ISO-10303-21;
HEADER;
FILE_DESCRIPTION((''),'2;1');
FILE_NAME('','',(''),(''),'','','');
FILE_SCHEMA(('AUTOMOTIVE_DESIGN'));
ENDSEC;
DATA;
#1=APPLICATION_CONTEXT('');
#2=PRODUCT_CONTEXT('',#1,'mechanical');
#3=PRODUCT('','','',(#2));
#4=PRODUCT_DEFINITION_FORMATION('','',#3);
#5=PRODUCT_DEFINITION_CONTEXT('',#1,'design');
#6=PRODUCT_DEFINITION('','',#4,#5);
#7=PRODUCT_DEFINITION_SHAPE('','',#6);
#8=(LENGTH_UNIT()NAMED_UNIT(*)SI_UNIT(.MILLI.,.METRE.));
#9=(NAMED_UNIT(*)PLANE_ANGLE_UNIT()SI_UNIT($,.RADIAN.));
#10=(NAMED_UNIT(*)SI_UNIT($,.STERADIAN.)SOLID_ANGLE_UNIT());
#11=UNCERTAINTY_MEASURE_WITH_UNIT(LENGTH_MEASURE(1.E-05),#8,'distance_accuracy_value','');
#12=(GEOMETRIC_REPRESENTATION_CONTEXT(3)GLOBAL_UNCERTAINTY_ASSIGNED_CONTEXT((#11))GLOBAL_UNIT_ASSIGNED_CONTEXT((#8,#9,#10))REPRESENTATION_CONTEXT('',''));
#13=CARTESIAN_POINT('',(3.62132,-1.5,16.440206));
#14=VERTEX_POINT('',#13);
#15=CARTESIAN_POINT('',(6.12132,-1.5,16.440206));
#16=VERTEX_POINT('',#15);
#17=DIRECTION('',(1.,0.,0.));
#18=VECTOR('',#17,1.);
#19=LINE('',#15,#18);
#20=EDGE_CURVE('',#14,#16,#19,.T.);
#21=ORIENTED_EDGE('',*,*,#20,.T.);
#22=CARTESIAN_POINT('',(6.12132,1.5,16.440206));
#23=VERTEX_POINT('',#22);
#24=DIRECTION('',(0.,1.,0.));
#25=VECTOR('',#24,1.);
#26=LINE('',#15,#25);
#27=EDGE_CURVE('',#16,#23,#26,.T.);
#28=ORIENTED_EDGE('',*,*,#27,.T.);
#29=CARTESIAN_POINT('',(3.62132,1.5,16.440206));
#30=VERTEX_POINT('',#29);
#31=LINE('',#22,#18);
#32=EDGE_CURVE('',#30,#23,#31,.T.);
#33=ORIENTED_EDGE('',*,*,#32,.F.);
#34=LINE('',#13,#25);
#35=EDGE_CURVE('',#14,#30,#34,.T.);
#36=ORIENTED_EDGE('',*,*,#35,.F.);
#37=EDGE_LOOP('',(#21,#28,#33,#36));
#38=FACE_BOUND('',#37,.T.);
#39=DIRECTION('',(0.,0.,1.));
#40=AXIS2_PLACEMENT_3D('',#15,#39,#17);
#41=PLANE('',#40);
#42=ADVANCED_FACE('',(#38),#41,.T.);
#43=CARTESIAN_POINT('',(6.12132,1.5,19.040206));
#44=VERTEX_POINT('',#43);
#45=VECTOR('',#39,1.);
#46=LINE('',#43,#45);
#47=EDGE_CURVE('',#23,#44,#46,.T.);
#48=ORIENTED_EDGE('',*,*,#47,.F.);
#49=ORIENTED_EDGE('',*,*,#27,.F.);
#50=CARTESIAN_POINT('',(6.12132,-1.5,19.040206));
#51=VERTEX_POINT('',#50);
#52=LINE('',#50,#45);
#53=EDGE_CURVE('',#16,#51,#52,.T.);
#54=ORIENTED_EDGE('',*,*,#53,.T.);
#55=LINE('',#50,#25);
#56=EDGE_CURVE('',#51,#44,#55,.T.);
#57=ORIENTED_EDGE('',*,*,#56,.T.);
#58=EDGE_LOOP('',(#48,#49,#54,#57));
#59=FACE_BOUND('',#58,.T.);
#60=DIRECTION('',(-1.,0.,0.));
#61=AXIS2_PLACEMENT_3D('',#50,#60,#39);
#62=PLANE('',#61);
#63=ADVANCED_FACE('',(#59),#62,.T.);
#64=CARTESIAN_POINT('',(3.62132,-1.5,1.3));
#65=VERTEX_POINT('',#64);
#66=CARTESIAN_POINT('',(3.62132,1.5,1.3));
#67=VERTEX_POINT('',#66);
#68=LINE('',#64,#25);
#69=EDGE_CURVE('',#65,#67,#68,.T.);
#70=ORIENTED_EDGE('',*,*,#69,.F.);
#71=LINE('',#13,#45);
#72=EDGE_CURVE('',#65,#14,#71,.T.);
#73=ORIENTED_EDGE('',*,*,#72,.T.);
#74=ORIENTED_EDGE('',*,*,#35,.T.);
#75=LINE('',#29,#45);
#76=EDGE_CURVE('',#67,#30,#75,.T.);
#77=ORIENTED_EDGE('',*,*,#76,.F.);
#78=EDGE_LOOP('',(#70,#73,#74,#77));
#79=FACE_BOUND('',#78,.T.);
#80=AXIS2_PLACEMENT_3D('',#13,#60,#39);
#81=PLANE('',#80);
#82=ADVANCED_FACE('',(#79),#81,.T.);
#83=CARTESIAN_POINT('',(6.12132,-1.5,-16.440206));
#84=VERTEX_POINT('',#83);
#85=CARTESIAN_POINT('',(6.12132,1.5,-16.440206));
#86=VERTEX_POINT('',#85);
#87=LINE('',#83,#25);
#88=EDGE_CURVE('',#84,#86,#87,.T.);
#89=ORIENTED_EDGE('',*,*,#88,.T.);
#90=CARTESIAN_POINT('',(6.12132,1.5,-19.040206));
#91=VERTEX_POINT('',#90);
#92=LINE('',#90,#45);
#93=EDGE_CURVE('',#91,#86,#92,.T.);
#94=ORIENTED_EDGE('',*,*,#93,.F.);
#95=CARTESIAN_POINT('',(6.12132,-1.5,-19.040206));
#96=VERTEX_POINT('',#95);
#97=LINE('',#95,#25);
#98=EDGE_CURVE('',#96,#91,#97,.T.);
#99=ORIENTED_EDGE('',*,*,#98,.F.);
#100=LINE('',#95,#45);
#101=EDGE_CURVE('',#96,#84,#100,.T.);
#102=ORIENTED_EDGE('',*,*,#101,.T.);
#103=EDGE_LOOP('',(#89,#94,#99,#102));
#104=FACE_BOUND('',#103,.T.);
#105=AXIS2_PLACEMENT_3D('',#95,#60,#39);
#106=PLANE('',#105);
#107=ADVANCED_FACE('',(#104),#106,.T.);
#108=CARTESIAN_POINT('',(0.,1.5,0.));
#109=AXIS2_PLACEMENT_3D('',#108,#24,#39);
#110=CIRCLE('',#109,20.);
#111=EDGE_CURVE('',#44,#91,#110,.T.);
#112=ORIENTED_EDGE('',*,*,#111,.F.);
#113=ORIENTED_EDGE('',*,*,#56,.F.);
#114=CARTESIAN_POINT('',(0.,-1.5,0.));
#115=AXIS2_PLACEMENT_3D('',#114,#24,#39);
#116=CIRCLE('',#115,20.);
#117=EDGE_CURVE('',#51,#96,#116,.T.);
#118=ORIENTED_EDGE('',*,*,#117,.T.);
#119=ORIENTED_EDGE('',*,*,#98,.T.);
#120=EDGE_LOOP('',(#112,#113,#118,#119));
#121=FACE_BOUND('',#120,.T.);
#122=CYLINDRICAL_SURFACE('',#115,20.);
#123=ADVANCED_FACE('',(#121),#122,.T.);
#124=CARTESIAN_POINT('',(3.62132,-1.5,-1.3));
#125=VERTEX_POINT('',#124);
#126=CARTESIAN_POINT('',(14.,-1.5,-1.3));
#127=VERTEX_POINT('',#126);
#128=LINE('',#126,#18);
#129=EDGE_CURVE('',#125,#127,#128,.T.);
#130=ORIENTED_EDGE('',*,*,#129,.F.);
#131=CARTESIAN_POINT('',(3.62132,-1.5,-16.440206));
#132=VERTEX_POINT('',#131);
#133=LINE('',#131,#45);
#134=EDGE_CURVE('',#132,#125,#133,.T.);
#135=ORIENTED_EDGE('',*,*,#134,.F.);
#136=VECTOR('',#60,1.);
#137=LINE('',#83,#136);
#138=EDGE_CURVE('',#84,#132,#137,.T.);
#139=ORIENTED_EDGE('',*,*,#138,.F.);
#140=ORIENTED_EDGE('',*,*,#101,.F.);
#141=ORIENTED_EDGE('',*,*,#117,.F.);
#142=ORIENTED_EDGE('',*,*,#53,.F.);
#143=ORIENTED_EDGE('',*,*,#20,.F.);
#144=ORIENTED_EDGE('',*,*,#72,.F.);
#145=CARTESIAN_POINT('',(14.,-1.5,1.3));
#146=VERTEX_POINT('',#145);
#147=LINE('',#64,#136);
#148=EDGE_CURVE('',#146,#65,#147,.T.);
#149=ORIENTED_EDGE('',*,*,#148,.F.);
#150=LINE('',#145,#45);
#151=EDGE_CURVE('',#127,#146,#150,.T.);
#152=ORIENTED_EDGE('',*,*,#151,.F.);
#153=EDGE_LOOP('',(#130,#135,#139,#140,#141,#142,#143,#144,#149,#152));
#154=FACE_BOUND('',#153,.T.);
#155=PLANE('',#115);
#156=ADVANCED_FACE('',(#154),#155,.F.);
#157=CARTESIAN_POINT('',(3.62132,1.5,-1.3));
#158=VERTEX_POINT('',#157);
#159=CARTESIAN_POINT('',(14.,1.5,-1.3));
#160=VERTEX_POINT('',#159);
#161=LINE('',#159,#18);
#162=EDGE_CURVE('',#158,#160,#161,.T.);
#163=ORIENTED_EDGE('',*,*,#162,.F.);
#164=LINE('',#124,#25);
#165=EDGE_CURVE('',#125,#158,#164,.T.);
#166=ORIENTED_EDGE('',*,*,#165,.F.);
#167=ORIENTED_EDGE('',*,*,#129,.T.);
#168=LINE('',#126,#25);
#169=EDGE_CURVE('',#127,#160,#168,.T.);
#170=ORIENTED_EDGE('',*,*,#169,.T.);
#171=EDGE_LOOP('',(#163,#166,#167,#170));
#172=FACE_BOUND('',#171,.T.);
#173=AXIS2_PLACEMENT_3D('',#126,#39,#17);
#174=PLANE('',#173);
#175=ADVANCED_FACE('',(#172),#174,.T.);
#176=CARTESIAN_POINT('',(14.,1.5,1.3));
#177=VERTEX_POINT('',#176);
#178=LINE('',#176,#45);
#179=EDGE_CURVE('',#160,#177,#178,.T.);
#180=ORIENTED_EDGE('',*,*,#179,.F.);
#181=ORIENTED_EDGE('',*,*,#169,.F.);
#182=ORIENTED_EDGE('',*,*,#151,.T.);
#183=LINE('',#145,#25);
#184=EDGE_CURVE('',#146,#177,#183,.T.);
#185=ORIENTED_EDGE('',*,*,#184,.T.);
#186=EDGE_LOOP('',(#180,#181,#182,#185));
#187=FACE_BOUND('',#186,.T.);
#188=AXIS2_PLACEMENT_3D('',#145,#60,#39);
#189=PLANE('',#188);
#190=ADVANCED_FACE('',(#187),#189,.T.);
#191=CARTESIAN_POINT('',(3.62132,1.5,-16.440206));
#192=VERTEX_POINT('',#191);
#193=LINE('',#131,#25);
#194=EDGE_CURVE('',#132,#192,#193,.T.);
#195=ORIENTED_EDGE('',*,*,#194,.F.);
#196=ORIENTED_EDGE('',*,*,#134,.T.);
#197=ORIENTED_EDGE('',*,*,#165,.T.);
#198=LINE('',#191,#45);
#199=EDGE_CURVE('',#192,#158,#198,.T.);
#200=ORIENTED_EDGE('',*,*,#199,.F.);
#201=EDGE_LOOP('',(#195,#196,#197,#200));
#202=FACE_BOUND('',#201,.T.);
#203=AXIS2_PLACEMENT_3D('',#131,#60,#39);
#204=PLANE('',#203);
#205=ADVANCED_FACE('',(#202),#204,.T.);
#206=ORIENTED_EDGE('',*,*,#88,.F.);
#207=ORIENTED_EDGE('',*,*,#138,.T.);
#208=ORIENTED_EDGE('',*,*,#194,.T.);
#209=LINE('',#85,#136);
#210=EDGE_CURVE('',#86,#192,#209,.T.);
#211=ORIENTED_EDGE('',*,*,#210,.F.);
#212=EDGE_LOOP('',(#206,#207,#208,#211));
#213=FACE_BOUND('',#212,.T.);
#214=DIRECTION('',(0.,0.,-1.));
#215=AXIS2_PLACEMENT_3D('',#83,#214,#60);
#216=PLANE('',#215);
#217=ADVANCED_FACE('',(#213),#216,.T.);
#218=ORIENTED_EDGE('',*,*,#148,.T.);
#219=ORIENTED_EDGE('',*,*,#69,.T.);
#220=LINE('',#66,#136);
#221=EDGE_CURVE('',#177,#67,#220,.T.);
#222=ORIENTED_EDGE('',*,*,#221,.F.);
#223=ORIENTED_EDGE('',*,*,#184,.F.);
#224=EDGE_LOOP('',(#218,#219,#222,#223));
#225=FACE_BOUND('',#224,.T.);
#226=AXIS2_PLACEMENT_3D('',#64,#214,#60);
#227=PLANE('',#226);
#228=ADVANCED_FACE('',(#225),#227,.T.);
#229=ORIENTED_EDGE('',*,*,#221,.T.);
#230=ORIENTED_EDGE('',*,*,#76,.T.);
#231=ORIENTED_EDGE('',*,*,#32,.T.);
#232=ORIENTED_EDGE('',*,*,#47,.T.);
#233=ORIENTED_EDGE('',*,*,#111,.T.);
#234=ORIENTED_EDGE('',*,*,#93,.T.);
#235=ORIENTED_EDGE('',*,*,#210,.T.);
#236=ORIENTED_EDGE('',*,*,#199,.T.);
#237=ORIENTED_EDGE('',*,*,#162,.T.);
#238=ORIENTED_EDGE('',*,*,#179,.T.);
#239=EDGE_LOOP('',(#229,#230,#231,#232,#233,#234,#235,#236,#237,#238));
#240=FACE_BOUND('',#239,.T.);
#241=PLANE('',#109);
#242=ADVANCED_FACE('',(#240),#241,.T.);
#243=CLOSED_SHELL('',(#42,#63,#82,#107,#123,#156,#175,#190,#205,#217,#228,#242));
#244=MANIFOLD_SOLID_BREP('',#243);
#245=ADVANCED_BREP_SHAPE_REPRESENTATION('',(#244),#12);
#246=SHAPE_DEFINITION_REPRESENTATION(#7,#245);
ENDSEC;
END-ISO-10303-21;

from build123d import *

# Parameters (mm, degrees)
BOSS_EXTRUDE1_DEPTH      = 1.5
BOSS_EXTRUDE1_DEPTH_BACK = 1.5


with BuildPart() as part:
    # Sketch1 → Boss-Extrude1 (new, two sides: drawn at the far end of the back side and taken through both)
    with BuildSketch(Plane(origin=(0, 0, 0), x_dir=(1, 0, 0), z_dir=(0, 1, 0)).offset(-BOSS_EXTRUDE1_DEPTH_BACK)):
        with BuildLine():
            Line((3.621320344, -1.3), (14, -1.3))
            Line((14, -1.3), (14, 1.3))
            Line((14, 1.3), (3.621320344, 1.3))
            Line((3.621320344, 1.3), (3.621320344, 16.440205809))
            Line((3.621320344, 16.440205809), (6.121320344, 16.440205809))
            Line((6.121320344, 16.440205809), (6.121320344, 19.040205809))
            ThreePointArc((6.121320344, 19.040205809), (20, 0), (6.121320344, -19.040205809))
            Line((6.121320344, -19.040205809), (6.121320344, -16.440205809))
            Line((6.121320344, -16.440205809), (3.621320344, -16.440205809))
            Line((3.621320344, -16.440205809), (3.621320344, -1.3))
        make_face()
    extrude(amount=BOSS_EXTRUDE1_DEPTH + BOSS_EXTRUDE1_DEPTH_BACK)


solid = part.part
